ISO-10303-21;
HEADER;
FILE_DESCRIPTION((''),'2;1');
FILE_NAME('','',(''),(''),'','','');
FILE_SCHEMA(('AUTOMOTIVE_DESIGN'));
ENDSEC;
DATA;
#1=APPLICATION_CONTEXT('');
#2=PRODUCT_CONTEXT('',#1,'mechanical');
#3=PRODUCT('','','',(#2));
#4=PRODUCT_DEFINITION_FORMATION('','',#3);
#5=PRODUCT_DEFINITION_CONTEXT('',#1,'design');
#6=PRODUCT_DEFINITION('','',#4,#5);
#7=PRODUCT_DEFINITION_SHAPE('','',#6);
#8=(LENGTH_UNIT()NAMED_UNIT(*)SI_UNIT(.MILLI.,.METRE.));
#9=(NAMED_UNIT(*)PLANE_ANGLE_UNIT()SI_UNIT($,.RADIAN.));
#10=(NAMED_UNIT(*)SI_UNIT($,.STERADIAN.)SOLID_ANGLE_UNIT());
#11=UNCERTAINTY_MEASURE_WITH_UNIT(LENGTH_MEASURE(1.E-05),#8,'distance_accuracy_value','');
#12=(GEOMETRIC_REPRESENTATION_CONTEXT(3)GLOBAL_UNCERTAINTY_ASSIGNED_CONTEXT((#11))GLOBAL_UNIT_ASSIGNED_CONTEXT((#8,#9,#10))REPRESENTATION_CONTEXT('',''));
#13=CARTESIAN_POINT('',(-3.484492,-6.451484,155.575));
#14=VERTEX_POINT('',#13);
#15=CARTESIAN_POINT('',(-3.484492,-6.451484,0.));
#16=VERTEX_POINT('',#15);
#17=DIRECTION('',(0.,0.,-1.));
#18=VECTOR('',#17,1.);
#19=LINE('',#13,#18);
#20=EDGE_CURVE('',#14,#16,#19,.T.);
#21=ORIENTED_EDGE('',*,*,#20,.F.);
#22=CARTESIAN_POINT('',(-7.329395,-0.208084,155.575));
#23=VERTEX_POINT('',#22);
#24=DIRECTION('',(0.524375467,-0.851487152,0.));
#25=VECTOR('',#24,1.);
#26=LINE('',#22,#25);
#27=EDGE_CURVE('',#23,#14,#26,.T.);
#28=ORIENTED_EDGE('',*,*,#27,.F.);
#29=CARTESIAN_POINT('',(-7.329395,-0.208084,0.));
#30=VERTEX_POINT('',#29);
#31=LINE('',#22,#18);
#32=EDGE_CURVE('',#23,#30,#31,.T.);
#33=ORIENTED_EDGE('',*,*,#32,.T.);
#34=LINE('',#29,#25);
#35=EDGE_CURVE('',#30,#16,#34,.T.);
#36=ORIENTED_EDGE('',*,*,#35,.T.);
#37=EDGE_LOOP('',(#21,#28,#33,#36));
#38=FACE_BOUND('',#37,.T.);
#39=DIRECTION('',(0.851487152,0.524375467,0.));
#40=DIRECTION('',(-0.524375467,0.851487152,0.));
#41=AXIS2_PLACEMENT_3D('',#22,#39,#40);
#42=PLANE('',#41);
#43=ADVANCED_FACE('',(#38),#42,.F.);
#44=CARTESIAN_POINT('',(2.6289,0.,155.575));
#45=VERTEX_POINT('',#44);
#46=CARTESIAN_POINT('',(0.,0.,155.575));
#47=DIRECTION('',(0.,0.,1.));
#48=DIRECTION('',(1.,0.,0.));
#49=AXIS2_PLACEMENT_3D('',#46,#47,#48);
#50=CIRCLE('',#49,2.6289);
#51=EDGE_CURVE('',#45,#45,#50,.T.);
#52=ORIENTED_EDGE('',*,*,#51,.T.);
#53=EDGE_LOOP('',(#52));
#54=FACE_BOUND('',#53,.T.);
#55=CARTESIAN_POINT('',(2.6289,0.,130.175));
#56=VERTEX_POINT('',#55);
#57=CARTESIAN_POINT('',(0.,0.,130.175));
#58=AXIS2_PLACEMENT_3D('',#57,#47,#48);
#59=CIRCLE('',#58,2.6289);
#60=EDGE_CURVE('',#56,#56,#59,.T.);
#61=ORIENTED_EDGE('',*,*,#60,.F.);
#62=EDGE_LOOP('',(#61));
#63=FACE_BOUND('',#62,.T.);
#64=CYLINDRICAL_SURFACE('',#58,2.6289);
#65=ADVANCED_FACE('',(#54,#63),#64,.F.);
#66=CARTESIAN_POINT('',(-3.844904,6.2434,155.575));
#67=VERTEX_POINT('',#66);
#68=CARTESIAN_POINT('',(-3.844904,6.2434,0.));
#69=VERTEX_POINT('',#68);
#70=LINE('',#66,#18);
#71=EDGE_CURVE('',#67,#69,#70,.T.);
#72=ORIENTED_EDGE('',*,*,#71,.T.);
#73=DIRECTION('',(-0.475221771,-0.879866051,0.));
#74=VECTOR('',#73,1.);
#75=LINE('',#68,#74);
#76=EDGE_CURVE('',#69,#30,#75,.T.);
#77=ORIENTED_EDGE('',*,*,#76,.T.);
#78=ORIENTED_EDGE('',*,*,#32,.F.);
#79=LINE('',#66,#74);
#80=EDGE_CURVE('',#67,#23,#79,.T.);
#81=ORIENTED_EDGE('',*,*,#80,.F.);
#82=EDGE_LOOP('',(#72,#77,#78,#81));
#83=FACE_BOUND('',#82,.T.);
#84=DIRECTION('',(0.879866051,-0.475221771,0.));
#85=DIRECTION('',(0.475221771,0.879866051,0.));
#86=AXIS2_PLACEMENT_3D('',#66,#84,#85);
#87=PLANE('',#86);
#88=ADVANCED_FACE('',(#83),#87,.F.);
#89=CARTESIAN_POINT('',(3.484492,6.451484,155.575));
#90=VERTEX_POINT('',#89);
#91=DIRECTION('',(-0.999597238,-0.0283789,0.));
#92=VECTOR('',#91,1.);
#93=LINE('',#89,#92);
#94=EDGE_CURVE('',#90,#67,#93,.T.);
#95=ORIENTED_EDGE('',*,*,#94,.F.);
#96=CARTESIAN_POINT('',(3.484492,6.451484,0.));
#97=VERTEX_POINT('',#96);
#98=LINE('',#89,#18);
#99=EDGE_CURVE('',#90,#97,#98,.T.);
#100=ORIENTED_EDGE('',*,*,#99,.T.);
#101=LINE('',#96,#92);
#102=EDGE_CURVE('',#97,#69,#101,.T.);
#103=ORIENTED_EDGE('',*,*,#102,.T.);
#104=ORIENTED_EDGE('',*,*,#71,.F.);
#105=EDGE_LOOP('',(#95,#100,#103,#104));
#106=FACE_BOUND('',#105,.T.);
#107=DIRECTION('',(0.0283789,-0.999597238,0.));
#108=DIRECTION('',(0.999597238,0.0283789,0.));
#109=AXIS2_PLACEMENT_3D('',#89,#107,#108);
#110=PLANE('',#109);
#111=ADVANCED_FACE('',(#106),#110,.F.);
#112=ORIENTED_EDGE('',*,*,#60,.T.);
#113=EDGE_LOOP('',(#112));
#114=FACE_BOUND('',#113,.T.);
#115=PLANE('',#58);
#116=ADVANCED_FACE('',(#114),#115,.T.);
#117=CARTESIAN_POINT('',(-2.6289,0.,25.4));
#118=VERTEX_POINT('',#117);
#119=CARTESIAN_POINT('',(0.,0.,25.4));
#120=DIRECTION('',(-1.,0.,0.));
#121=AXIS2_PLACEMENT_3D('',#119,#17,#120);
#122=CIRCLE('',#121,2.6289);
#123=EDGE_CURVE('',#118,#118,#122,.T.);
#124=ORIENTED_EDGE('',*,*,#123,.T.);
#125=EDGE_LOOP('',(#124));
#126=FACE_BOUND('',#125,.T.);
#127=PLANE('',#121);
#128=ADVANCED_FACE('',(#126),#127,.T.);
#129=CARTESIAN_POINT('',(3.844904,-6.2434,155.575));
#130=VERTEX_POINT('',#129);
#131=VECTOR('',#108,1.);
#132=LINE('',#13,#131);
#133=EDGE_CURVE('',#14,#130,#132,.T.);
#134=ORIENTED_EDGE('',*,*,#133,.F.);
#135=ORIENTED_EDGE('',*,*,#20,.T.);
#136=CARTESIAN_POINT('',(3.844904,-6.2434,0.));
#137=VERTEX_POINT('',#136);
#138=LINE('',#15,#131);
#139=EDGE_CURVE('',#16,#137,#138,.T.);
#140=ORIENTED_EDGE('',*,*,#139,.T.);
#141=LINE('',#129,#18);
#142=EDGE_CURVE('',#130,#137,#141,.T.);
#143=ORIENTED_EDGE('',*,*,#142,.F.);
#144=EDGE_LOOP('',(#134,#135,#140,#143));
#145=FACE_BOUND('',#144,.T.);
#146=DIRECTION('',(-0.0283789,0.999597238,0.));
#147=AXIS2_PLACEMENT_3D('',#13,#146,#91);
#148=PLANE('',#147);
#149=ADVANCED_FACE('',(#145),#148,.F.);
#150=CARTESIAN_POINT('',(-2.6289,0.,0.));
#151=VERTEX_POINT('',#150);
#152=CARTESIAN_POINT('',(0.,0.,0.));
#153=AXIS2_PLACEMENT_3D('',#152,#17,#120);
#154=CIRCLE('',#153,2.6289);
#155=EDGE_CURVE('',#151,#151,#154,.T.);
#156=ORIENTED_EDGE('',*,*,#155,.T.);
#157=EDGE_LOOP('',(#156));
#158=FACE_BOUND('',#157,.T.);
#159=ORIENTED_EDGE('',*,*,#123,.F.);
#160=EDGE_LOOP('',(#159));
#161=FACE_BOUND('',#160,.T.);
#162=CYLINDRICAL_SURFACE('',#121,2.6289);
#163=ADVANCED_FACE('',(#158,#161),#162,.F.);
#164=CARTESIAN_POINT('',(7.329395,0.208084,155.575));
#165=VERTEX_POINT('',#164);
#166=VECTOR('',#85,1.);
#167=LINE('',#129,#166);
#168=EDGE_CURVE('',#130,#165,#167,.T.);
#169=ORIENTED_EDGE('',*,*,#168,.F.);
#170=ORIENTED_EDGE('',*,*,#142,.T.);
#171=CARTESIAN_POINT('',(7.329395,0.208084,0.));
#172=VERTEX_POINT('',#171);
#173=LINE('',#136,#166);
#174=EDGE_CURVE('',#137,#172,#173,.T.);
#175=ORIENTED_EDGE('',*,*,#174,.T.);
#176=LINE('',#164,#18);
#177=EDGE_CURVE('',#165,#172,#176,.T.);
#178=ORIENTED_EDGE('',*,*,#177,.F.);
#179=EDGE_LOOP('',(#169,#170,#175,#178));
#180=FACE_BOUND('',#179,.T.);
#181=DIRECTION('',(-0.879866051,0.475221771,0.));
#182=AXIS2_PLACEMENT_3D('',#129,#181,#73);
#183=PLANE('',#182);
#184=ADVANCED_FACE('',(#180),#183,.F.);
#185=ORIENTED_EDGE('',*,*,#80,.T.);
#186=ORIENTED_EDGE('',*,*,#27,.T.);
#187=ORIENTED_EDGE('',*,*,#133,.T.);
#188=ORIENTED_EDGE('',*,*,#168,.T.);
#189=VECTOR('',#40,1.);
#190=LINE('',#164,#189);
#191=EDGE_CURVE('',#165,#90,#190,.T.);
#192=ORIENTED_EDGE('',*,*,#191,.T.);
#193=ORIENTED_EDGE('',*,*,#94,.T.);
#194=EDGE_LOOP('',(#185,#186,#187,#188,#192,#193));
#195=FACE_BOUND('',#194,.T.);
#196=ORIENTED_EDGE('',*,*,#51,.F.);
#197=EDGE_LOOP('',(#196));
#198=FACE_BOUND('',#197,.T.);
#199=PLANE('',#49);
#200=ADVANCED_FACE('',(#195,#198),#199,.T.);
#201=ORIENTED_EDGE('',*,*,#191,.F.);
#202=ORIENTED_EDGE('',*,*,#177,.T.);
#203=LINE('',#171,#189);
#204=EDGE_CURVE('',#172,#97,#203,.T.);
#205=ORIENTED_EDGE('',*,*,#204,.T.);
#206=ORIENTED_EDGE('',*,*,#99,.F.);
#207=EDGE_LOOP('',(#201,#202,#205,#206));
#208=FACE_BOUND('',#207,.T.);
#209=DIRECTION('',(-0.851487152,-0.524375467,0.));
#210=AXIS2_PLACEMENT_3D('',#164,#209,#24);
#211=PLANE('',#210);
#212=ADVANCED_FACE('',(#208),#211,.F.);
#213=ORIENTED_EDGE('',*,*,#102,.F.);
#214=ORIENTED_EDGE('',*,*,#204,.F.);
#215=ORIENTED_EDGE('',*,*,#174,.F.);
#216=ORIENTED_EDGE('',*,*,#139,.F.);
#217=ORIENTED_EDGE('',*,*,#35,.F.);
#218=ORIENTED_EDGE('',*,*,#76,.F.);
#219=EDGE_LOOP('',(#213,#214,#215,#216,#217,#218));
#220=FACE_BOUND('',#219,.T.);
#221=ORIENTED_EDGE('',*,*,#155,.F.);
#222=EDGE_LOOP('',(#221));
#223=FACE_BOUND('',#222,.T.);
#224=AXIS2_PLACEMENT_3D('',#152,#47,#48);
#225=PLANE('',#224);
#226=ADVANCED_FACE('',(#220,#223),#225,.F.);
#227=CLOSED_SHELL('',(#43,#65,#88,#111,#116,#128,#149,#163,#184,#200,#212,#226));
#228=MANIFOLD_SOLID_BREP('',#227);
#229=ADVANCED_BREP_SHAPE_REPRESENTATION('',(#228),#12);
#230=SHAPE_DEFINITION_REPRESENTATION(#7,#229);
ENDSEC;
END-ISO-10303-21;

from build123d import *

# Parameters (mm, degrees)
BOSS_EXTRUDE1_DEPTH = 155.575
SKETCH3_R           = 2.6289
CUT_EXTRUDE2_DEPTH  = 25.4
SKETCH4_R           = 2.6289
CUT_EXTRUDE3_DEPTH  = 25.4


with BuildPart() as part:
    # Sketch1 → Boss-Extrude1 (new body)
    with BuildSketch(Plane.XY):
        Polygon((3.484491601, 6.45148445), (-3.844903625, 6.243400471), (-7.329395227, -0.208083979), (-3.484491601, -6.45148445), (3.844903625, -6.243400471), (7.329395227, 0.208083979), align=None)
    extrude(amount=BOSS_EXTRUDE1_DEPTH)

    # Sketch3 → Cut-Extrude2 (cut)
    with BuildSketch(Plane.XY.offset(155.575)):
        Circle(SKETCH3_R)
    extrude(amount=-CUT_EXTRUDE2_DEPTH, mode=Mode.SUBTRACT)

    # Sketch4 → Cut-Extrude3 (cut)
    with BuildSketch(Plane(origin=(0, 0, 0), x_dir=(-1, 0, 0), z_dir=(0, 0, -1))):
        Circle(SKETCH4_R)
    extrude(amount=-CUT_EXTRUDE3_DEPTH, mode=Mode.SUBTRACT)


solid = part.part
